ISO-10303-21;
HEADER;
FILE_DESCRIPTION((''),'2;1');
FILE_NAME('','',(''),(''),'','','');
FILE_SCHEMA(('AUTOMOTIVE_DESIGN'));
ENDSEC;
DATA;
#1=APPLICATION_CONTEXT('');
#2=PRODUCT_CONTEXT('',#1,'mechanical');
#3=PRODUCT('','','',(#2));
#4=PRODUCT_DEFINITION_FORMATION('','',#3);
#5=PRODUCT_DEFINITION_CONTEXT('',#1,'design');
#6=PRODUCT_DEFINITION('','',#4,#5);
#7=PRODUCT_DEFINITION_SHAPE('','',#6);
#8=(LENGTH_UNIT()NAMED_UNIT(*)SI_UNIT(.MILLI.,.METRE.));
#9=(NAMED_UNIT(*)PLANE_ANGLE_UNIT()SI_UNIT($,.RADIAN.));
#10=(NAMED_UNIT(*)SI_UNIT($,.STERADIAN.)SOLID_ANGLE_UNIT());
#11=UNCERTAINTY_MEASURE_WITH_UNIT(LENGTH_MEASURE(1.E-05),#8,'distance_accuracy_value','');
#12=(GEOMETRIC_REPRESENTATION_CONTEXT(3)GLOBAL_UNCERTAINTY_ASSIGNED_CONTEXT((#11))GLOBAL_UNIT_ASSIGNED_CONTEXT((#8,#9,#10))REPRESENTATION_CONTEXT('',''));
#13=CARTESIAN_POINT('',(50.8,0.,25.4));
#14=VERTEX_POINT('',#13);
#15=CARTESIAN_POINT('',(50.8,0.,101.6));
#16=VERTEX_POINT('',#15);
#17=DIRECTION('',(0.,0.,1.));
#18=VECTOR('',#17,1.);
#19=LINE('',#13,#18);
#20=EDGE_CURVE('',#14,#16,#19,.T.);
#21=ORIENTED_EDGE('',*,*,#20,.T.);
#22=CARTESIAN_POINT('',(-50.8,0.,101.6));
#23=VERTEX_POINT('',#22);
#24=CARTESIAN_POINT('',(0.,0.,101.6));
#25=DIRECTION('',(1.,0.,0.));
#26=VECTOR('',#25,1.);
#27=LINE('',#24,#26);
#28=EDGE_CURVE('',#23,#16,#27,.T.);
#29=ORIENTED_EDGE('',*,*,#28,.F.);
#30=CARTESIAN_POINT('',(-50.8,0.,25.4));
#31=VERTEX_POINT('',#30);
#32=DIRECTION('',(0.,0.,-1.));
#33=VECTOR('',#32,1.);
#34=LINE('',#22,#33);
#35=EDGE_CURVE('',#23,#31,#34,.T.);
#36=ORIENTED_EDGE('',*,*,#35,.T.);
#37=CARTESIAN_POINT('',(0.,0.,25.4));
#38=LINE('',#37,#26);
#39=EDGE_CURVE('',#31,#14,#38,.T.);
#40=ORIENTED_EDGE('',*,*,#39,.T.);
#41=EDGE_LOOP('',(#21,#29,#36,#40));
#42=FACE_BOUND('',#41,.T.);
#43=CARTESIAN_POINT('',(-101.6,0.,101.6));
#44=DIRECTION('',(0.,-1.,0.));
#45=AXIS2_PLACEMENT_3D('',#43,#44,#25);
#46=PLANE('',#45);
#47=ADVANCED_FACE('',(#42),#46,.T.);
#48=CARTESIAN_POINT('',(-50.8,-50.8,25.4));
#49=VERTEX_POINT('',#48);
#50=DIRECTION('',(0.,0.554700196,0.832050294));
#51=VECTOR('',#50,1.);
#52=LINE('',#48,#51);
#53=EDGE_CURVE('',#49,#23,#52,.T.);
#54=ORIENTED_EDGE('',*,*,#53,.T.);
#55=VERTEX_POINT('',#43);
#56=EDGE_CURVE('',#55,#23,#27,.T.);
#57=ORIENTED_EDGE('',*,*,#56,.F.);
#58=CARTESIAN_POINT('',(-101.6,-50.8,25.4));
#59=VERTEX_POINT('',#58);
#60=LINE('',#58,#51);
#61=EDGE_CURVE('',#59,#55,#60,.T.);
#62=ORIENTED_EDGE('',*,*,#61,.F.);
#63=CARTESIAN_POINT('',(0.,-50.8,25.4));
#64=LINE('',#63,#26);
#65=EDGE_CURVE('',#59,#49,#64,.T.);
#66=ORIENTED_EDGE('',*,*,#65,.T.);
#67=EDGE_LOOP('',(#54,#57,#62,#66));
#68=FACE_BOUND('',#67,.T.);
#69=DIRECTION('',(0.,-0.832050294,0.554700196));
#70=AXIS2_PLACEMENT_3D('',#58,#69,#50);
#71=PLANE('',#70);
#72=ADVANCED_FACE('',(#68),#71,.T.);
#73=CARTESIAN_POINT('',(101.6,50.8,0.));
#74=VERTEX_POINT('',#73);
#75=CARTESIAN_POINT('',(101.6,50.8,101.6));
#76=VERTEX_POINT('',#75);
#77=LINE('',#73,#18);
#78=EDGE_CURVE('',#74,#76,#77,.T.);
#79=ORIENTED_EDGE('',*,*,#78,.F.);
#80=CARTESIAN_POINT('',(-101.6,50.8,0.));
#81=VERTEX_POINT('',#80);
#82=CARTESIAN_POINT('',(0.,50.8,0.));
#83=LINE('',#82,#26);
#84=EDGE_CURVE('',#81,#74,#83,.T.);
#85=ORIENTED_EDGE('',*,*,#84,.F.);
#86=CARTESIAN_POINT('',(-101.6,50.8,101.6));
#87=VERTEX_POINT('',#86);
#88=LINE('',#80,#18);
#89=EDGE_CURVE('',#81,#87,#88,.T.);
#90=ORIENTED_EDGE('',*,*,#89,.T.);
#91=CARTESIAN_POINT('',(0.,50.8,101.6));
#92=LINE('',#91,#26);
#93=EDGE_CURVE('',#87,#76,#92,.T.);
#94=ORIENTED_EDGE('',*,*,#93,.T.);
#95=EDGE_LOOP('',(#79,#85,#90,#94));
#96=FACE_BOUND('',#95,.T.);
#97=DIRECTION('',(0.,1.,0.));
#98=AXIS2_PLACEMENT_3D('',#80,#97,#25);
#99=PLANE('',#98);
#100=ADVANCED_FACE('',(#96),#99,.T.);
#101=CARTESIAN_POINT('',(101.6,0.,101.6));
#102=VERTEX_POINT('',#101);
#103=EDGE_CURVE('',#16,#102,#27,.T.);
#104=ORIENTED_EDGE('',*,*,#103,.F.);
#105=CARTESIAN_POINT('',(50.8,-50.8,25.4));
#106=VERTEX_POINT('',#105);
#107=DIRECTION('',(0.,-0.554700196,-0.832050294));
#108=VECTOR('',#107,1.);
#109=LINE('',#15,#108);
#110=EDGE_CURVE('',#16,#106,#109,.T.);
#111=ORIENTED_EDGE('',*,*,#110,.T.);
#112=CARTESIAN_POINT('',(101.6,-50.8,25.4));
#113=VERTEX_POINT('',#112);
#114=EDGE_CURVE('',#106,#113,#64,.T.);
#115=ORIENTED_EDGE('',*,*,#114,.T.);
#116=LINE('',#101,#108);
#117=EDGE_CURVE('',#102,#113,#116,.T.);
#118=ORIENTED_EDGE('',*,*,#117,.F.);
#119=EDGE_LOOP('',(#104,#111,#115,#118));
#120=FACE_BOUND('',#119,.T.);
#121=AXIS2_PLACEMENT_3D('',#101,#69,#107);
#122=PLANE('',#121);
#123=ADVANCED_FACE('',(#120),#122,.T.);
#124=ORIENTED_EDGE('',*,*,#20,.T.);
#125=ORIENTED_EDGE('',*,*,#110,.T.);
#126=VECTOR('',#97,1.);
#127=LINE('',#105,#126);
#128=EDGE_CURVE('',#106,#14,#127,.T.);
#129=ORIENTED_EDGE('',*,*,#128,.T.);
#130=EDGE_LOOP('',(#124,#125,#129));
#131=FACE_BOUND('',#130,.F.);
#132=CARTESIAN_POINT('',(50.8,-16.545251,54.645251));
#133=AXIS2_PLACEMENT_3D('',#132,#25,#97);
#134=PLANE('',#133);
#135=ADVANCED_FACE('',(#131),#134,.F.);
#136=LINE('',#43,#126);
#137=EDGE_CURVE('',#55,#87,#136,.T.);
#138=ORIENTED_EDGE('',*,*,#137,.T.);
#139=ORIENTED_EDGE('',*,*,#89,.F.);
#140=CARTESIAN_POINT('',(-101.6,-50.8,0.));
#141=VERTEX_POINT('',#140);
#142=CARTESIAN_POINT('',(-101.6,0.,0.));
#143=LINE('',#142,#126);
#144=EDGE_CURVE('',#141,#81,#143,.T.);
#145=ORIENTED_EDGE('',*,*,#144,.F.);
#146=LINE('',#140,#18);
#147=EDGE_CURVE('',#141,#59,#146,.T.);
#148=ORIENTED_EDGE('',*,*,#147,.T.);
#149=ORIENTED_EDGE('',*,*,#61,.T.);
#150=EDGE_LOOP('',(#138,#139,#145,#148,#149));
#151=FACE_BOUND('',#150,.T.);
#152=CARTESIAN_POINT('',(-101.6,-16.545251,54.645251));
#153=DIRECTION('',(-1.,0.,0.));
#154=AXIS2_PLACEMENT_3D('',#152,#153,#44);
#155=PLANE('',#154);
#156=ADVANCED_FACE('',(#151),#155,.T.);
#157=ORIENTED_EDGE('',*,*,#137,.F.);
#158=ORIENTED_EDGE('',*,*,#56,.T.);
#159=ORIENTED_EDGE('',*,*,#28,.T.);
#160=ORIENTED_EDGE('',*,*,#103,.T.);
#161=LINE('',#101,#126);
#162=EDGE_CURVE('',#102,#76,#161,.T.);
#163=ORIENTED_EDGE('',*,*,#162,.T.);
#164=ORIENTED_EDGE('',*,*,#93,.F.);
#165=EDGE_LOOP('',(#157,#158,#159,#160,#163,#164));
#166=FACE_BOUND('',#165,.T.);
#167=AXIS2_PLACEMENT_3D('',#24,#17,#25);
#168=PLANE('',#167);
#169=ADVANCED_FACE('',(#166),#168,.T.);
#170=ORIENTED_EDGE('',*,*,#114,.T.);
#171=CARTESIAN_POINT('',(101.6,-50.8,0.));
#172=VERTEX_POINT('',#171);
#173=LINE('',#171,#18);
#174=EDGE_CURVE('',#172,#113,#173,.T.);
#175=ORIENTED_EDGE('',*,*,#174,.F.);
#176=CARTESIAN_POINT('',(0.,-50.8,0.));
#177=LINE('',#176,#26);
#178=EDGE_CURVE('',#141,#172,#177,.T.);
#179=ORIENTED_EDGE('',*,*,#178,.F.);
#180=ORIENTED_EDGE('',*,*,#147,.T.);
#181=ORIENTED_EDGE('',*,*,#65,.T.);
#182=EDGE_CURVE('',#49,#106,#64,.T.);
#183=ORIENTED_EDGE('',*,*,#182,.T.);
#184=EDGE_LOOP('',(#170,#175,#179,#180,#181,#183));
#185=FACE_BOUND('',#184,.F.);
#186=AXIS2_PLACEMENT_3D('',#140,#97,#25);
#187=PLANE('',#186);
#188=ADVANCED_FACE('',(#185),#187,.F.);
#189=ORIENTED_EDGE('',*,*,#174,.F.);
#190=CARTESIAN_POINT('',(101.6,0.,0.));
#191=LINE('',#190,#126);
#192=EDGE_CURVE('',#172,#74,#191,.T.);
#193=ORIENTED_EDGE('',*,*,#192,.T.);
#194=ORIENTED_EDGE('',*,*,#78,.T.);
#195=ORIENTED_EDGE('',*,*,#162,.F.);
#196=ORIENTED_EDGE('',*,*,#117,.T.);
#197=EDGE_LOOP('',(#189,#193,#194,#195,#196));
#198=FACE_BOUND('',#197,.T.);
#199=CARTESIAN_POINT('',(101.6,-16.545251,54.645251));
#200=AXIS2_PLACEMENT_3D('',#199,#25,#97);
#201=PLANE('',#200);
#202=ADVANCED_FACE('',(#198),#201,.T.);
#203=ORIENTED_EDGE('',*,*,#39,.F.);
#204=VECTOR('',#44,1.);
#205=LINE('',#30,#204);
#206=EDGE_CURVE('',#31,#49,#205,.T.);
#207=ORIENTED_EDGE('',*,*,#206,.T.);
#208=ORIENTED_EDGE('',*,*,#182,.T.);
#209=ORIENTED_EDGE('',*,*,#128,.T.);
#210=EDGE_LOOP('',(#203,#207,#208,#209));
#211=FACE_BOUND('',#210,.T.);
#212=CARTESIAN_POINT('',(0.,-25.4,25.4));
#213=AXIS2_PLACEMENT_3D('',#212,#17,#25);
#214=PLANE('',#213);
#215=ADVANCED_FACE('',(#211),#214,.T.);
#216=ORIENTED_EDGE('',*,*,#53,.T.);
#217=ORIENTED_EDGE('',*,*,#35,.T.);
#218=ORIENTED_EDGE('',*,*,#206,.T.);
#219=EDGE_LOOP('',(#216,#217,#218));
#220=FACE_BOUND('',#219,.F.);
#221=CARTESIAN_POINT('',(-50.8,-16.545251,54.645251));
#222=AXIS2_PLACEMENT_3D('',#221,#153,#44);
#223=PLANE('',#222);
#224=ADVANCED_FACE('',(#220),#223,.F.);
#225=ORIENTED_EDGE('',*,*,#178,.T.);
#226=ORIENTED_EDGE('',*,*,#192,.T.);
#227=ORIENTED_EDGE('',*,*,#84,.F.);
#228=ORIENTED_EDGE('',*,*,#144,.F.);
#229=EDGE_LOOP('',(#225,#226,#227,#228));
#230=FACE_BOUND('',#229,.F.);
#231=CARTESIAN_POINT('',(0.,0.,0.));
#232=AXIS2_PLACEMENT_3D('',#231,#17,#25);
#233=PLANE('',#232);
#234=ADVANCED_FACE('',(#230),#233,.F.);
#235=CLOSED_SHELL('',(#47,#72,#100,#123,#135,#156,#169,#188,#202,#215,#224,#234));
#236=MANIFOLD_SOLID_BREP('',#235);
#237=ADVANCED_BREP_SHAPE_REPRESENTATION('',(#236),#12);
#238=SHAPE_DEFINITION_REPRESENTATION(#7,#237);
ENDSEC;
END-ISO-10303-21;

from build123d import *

# Parameters (mm, degrees)
F0_W     = 203.2
F0_H     = 101.6
F1_DEPTH = 101.6
F2_W     = 203.2
F2_H     = 50.8
F3_DEPTH = 76.2
F5_DEPTH = 50.8
F7_DEPTH = 50.8


with BuildPart() as f1:
    # F0 (on Top) → F1 (new body)
    with BuildSketch(Plane.XY):
        Rectangle(F0_W, F0_H)
    extrude(amount=F1_DEPTH)

    # F2 (on face) → F3 (cut)
    with BuildSketch(Plane.XY.offset(101.6)):
        with Locations((0, -25.4)):
            Rectangle(F2_W, F2_H)
    extrude(amount=-F3_DEPTH, mode=Mode.SUBTRACT)

    # F4 (on face) → F5 (join)
    with BuildSketch(Plane.YZ.offset(101.6)):
        Polygon((0, 25.4), (0, 101.6), (-50.8, 25.4), align=None)
    extrude(amount=-F5_DEPTH)

    # F6 (on face) → F7 (join)
    with BuildSketch(Plane(origin=(-101.6, 0, 0), x_dir=(0, -1, 0), z_dir=(-1, 0, 0))):
        Polygon((50.8, 25.4), (0, 101.6), (0, 25.4), align=None)
    extrude(amount=-F7_DEPTH)


solid = f1.part
